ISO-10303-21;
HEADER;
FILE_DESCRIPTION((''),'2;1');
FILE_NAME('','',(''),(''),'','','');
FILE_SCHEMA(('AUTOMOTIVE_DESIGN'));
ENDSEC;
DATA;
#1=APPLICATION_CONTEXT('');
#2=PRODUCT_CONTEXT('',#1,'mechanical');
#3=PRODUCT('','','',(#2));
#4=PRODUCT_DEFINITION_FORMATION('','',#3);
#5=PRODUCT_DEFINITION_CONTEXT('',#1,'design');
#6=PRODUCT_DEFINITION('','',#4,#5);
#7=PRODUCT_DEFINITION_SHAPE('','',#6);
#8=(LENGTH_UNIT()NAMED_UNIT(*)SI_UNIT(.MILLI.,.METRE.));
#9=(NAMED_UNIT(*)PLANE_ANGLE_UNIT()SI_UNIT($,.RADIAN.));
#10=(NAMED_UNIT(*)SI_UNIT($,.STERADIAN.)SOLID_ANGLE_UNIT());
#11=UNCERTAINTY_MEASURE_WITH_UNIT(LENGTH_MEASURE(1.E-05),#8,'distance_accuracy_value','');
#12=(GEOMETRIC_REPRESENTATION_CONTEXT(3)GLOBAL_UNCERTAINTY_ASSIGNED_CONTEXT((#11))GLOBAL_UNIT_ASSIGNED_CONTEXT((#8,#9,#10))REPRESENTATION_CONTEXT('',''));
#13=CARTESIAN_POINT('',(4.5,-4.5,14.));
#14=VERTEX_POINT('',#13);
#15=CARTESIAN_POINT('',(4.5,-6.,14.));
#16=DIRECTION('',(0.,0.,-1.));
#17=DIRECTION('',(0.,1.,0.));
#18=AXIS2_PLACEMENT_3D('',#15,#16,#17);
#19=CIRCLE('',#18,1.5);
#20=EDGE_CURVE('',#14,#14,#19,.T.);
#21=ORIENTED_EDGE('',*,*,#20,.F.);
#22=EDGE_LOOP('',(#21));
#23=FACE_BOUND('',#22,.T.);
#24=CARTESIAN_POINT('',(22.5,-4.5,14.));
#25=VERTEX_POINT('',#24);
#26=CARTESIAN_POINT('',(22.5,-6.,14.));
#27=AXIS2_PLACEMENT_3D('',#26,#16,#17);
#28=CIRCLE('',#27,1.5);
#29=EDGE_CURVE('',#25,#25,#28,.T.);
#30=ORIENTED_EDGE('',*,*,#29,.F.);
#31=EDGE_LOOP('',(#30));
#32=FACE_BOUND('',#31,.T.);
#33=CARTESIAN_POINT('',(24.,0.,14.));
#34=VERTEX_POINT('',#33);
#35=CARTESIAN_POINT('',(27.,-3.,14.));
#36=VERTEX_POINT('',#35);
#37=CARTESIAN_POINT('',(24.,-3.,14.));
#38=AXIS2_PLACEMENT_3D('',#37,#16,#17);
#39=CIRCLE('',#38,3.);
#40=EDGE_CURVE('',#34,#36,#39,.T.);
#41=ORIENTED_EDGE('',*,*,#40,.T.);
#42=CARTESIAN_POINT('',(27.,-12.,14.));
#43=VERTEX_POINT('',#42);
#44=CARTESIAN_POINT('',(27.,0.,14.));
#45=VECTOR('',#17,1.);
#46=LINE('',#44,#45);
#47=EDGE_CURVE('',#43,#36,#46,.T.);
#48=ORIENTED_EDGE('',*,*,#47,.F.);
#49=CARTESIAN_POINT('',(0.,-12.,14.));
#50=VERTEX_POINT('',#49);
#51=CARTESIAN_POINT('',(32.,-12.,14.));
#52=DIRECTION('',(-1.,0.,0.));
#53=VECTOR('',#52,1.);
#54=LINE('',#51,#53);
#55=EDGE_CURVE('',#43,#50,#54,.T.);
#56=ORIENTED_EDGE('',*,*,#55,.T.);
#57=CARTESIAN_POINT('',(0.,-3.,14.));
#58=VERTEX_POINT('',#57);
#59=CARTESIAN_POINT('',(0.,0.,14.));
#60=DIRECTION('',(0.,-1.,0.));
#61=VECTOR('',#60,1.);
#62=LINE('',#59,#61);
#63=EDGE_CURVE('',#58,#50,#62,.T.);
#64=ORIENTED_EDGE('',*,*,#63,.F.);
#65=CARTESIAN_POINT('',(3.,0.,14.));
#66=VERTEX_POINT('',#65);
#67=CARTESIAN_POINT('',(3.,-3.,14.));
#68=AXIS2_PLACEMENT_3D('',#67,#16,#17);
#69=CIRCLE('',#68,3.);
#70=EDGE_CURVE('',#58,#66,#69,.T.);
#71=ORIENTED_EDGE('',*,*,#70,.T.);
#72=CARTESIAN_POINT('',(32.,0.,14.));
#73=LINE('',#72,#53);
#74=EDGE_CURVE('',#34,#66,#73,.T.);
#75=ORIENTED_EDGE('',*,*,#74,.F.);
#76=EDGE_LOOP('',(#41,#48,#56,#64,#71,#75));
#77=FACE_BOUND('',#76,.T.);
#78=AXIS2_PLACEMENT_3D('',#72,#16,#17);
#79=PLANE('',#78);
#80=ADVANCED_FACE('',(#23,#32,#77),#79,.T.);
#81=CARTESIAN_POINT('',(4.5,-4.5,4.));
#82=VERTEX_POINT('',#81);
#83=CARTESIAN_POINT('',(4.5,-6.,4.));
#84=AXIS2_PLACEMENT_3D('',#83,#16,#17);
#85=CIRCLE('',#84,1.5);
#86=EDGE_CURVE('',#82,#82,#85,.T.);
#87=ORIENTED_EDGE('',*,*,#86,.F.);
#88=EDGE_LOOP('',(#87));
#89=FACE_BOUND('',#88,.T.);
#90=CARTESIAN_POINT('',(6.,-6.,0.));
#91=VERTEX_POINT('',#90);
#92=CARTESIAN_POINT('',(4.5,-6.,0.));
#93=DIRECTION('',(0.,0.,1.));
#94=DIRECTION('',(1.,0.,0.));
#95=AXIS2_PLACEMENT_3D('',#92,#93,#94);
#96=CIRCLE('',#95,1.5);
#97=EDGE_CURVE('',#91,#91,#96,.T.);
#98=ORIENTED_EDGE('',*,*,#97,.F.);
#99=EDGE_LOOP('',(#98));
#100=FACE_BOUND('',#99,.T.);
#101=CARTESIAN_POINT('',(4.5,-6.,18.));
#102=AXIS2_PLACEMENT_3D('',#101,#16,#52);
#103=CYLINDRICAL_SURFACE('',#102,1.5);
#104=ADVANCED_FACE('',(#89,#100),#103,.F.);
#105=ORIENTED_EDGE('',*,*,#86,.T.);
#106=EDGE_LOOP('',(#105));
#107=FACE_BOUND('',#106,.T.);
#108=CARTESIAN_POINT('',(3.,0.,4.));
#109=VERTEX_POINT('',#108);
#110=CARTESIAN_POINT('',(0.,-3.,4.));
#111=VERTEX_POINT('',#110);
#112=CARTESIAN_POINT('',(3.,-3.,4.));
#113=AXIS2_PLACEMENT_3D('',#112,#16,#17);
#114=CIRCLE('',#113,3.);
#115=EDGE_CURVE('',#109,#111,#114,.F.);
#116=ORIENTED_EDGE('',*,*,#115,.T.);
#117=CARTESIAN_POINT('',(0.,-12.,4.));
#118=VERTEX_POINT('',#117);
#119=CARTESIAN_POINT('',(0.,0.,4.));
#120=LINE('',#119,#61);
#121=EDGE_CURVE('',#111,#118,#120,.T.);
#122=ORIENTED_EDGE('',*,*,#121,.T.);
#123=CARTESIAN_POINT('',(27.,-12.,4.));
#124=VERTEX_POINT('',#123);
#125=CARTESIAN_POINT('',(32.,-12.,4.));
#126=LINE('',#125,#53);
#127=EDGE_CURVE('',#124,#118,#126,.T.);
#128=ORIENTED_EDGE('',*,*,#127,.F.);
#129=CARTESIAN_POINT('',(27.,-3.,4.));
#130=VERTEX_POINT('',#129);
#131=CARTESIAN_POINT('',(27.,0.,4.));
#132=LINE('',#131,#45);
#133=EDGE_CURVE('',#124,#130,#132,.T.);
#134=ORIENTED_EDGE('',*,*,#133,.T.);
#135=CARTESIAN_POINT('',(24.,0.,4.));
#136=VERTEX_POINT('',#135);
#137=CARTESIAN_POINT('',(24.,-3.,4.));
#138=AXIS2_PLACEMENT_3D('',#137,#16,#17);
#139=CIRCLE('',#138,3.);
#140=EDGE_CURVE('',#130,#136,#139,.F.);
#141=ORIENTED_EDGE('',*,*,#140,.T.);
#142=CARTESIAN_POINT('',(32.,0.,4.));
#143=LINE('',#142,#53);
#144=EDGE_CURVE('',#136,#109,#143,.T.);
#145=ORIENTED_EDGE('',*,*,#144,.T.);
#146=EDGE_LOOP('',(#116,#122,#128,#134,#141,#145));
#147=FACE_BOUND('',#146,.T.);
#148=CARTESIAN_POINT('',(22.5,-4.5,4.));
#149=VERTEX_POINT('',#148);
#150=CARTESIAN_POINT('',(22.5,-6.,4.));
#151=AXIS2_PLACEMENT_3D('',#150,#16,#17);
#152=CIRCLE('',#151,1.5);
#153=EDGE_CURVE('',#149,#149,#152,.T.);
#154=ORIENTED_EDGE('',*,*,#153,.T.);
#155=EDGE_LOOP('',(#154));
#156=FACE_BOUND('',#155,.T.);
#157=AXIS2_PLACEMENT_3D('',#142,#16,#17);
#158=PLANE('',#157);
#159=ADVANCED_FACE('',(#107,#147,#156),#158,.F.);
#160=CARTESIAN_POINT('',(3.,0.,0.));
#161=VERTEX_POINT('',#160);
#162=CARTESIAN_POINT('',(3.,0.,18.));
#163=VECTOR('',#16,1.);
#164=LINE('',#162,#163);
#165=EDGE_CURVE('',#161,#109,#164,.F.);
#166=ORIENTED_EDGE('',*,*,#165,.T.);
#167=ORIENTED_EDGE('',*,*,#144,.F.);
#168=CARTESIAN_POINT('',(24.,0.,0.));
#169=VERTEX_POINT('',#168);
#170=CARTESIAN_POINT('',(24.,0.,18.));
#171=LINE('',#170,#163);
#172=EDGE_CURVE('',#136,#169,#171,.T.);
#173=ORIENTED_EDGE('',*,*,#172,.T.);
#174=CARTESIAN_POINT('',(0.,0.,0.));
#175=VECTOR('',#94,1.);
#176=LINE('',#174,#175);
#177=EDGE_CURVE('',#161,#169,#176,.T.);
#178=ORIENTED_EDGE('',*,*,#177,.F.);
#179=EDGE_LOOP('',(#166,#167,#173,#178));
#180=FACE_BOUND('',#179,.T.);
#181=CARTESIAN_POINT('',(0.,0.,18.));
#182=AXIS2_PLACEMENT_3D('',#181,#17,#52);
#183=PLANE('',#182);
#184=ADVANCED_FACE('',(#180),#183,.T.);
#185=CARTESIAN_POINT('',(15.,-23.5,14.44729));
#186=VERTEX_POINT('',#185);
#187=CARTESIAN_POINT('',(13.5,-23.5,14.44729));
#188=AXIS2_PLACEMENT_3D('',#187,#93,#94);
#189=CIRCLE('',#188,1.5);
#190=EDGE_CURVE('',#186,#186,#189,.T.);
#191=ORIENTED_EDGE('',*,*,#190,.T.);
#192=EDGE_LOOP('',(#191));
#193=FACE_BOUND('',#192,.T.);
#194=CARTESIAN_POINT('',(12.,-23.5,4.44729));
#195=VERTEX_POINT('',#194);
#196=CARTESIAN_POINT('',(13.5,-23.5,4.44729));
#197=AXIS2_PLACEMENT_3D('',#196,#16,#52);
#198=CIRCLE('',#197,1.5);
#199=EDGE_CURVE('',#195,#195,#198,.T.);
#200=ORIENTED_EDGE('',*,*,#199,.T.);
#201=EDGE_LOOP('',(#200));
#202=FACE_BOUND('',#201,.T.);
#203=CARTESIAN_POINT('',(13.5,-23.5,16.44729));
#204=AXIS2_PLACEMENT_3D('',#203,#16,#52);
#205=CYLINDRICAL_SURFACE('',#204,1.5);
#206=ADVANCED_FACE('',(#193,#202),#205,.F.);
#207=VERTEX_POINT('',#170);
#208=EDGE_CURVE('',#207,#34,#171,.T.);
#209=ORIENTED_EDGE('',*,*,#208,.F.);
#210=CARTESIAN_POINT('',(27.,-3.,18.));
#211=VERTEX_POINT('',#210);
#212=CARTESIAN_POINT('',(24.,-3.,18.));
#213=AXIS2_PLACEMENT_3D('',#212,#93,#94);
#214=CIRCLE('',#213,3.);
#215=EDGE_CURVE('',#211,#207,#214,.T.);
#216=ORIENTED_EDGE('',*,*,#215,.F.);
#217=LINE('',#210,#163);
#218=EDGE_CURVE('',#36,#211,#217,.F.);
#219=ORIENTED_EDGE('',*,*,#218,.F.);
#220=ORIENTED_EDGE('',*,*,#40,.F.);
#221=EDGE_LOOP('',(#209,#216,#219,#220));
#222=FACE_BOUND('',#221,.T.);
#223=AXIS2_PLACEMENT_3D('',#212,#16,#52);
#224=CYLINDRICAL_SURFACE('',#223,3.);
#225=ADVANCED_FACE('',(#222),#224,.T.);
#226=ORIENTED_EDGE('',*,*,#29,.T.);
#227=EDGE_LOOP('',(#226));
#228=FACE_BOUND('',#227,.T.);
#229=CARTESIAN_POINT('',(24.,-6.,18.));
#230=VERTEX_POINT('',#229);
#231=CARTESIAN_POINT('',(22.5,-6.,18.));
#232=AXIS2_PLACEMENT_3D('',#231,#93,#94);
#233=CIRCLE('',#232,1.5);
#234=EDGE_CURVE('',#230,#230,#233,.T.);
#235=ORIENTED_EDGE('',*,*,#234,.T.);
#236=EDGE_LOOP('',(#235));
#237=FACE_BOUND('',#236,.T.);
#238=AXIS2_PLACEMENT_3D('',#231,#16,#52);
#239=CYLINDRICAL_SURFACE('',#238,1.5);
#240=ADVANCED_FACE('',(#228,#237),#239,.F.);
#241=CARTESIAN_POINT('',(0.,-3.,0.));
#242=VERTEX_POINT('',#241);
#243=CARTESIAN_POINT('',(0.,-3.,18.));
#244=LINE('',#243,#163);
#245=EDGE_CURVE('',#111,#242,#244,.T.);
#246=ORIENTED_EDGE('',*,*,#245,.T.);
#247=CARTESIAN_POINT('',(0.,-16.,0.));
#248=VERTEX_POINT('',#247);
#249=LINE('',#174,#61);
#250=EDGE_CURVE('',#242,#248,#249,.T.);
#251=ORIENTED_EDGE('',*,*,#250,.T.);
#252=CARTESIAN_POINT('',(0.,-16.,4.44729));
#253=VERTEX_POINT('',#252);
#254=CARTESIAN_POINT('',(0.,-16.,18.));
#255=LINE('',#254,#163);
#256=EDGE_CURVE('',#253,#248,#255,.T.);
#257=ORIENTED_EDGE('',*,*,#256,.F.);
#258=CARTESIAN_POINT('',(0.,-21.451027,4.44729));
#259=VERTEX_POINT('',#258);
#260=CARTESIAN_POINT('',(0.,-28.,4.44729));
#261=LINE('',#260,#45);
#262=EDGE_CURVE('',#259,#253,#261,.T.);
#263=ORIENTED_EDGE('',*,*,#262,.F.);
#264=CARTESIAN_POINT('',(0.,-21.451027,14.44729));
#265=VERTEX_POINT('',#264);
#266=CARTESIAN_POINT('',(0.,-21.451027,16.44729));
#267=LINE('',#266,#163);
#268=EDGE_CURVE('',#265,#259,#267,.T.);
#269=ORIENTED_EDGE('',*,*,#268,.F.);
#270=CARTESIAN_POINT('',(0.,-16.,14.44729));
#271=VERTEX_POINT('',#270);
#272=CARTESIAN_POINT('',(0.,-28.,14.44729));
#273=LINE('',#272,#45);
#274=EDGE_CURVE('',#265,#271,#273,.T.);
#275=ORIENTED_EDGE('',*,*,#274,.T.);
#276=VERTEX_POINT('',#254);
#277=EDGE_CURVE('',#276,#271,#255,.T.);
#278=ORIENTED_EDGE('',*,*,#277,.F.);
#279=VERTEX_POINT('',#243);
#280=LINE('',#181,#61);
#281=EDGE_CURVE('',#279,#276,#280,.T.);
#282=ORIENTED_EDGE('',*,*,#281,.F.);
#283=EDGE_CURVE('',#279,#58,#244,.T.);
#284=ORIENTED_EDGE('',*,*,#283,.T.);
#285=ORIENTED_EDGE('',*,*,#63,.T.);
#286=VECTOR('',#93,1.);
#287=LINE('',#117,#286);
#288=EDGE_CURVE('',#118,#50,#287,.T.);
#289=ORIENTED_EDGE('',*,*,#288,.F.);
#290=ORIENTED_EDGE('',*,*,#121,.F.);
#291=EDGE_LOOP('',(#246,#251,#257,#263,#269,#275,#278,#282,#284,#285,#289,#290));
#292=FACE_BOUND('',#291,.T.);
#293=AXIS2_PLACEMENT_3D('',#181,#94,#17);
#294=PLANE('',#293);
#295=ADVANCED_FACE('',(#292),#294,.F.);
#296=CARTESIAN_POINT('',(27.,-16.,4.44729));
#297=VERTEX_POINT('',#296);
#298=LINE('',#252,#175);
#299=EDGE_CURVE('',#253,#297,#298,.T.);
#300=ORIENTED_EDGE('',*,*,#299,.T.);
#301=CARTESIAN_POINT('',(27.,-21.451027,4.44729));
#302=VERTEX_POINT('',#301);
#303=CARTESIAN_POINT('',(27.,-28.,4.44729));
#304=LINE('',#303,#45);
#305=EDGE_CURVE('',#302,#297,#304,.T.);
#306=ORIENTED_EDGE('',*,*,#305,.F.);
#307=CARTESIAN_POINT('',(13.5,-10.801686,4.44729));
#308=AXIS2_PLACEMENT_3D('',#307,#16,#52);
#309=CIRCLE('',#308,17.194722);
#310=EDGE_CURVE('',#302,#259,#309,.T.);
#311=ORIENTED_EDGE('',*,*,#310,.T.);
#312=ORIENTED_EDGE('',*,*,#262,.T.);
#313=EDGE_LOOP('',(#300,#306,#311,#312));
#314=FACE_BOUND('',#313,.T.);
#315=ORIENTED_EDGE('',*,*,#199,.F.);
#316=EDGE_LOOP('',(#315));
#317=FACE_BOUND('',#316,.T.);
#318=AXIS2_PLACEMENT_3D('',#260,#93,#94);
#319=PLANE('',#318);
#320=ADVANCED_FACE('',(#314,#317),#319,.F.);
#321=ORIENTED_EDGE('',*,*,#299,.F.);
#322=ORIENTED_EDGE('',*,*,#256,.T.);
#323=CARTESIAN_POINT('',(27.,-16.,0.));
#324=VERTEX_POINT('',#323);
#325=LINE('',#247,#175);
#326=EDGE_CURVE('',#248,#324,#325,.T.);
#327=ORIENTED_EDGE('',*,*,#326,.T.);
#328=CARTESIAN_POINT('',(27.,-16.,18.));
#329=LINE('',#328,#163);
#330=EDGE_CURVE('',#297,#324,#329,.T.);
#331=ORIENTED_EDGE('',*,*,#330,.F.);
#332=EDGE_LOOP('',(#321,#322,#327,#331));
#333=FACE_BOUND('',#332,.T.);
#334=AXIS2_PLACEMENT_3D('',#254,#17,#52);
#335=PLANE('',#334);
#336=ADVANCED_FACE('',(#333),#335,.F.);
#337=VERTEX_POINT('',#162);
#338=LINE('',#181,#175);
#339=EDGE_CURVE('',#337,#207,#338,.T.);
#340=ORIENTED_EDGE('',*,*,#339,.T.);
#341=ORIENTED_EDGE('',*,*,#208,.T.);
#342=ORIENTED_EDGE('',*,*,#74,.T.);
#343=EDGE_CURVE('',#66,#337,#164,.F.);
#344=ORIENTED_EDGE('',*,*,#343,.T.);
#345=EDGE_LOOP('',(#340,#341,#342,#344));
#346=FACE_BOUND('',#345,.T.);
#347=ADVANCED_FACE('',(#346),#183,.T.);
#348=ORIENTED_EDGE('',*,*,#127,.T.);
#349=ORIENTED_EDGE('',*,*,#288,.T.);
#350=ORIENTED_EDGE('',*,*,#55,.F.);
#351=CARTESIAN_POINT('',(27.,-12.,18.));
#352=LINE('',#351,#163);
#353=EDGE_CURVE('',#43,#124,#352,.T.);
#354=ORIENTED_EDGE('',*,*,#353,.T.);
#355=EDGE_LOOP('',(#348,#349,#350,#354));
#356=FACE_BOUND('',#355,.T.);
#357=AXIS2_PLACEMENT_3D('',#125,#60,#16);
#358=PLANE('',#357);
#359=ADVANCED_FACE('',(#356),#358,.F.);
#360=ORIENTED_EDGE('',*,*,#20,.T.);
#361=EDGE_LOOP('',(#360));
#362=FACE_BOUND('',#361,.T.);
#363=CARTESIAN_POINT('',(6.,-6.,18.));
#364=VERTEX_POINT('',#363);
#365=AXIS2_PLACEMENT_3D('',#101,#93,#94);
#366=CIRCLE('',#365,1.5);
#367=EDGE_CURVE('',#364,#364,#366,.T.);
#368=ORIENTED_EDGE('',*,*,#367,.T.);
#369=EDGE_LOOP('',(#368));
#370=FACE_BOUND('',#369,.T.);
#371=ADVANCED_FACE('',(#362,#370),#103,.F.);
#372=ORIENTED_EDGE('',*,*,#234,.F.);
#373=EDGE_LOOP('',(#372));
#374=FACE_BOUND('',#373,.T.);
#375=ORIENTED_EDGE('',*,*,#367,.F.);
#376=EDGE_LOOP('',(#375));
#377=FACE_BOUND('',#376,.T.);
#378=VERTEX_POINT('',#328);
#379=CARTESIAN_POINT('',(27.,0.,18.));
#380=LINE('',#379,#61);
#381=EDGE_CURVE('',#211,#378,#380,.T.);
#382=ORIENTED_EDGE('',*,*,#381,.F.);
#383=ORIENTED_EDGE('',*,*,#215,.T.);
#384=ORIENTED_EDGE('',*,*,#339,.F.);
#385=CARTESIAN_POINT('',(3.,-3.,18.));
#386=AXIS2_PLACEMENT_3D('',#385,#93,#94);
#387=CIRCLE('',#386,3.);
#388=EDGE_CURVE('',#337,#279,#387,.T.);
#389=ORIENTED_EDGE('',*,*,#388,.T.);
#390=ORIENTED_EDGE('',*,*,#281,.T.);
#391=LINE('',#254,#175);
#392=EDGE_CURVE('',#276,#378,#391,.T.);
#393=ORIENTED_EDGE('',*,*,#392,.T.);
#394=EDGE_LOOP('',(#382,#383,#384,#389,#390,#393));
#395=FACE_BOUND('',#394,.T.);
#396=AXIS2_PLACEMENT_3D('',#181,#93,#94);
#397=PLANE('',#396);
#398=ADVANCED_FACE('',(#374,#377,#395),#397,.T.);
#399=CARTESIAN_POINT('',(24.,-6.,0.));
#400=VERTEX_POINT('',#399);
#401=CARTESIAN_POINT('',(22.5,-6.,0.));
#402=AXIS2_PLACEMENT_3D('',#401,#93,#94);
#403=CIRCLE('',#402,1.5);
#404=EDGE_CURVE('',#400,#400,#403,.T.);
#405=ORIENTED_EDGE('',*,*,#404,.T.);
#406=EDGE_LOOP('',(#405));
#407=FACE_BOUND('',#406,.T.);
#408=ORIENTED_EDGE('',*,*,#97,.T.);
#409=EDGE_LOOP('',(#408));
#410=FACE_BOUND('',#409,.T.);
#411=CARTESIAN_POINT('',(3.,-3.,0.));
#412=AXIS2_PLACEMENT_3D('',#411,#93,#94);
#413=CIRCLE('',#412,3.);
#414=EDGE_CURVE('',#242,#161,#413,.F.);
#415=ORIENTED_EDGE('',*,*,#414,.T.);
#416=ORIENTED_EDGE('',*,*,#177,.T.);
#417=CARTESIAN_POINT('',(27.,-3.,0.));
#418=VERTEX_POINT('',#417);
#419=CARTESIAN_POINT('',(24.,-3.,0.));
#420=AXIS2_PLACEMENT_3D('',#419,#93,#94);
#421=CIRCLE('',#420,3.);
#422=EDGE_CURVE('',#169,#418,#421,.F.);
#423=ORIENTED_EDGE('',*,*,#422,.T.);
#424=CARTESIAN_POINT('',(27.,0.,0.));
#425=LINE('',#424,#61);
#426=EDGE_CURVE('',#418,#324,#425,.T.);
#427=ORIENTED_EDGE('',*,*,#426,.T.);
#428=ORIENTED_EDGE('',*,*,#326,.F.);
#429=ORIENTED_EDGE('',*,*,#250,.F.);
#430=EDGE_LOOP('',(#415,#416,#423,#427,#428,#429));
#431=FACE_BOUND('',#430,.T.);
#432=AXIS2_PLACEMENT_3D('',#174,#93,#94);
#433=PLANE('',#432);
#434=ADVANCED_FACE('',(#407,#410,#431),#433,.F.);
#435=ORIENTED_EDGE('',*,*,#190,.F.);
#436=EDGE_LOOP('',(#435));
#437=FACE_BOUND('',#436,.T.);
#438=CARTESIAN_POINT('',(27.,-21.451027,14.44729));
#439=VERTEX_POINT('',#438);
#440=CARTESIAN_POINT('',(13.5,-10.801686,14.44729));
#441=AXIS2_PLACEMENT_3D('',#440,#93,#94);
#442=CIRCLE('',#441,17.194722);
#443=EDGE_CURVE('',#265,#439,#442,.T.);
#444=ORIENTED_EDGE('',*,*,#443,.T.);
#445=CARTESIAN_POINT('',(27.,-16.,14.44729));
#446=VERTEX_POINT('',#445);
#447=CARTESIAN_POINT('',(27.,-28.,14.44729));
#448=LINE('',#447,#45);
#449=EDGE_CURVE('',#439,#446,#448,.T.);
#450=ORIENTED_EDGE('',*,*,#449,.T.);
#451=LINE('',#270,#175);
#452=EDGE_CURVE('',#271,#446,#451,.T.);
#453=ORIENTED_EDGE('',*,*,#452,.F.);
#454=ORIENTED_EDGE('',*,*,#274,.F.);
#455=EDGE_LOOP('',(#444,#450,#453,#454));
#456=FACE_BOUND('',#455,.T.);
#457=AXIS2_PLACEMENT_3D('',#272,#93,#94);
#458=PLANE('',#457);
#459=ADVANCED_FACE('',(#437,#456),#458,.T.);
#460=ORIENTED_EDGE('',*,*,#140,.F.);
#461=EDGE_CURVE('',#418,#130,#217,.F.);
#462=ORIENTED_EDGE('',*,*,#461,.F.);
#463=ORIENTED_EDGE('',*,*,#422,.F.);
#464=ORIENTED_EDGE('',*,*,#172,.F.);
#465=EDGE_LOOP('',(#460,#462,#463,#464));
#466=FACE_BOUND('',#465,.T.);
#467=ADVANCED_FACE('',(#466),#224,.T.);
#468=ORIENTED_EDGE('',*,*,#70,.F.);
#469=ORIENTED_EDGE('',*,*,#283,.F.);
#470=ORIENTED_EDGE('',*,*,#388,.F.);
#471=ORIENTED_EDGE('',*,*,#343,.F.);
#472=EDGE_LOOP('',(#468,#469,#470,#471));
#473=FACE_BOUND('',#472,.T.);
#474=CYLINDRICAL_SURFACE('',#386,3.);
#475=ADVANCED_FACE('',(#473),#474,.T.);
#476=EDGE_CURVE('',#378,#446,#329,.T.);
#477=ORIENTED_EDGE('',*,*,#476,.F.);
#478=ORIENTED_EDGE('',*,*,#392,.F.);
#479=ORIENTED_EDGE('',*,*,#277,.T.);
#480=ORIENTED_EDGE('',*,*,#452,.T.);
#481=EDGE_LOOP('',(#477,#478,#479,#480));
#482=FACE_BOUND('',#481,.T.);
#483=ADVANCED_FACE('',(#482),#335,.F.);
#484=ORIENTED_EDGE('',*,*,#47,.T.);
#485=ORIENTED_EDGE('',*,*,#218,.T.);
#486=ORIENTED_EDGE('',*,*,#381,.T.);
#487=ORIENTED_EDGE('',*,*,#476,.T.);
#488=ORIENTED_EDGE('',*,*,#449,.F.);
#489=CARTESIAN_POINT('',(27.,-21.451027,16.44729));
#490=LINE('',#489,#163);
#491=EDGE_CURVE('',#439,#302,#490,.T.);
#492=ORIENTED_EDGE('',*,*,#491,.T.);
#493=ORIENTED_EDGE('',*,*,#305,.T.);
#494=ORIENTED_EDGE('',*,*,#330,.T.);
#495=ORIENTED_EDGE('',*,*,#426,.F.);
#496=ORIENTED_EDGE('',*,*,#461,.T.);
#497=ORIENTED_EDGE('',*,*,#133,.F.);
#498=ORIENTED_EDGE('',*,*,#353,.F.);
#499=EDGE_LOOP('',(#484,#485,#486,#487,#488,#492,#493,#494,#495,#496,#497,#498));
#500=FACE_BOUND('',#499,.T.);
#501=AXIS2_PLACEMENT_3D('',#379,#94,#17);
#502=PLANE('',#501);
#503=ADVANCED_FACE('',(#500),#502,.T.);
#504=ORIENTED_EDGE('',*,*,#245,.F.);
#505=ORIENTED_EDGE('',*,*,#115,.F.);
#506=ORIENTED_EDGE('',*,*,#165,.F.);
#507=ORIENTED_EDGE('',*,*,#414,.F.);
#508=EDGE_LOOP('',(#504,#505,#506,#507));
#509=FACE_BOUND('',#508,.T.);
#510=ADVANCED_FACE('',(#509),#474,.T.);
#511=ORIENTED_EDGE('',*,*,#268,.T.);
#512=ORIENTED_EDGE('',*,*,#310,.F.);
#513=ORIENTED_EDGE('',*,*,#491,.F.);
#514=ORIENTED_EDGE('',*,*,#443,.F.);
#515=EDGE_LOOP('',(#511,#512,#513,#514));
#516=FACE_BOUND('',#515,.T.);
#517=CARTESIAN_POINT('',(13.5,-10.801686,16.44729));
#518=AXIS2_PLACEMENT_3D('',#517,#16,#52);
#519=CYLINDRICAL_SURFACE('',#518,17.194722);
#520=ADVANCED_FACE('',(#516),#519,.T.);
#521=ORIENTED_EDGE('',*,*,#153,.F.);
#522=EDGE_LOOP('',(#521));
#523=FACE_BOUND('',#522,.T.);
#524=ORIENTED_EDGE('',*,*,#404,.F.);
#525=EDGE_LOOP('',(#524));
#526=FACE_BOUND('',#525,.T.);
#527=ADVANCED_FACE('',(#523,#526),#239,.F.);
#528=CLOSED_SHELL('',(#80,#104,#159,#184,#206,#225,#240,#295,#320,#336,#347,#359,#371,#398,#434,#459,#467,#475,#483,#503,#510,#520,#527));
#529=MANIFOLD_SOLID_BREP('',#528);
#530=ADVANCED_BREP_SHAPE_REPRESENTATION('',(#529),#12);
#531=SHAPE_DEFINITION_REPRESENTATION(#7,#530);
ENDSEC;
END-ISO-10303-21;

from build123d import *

# Parameters (mm, degrees)
SKETCH2_R           = 1.5
BOSS_EXTRUDE1_DEPTH = 18
SKETCH3_W           = 10
SKETCH3_H           = 12
CUT_EXTRUDE1_DEPTH  = 32
SKETCH4_W           = 27
SKETCH4_H           = 5
BOSS_EXTRUDE3_DEPTH = 12
SKETCH8_R           = 1.5
CUT_EXTRUDE3_DEPTH  = 12
FILLET1_R           = 3
FILLET2_R           = 3
FILLET3_R           = 3
FILLET4_R           = 3


with BuildPart() as part:
    # Sketch2 → Boss-Extrude1 (new body)
    with BuildSketch(Plane.XY):
        Polygon((0, 0), (27, 0), (27, -12), (27, -16), (0, -16), (0, -12), align=None)
        with Locations((4.5, -6)):
            Circle(SKETCH2_R, mode=Mode.SUBTRACT)
        with Locations((22.5, -6)):
            Circle(SKETCH2_R, mode=Mode.SUBTRACT)
    extrude(amount=BOSS_EXTRUDE1_DEPTH)

    # Sketch3 → Cut-Extrude1 (cut)
    with BuildSketch(Plane.ZY):
        with Locations((9, -6)):
            Rectangle(SKETCH3_W, SKETCH3_H)
    extrude(amount=-CUT_EXTRUDE1_DEPTH, mode=Mode.SUBTRACT)

    # Sketch4 → Boss-Extrude3 (add)
    with BuildSketch(Plane.XZ.offset(16)):
        with Locations((13.5, 11.947290181)):
            Rectangle(SKETCH4_W, SKETCH4_H)
        with Locations((13.5, 6.947290181)):
            Rectangle(SKETCH4_W, SKETCH4_H)
    extrude(amount=BOSS_EXTRUDE3_DEPTH)

    # Sketch8 → Cut-Extrude3 (cut)
    with BuildSketch(Plane(origin=(0, 0, 4.447290181), x_dir=(-1, 0, 0), z_dir=(0, 0, -1))):
        with Locations((-13.5, -23.5)):
            Circle(SKETCH8_R)
        with BuildLine():
            Line((-27, -21.451026779), (-27, -28))
            Line((-27, -28), (0, -28))
            Line((0, -28), (0, -21.451026779))
            ThreePointArc((0, -21.451026779), (-13.5, -27.996407915), (-27, -21.451026779))
        make_face()
    extrude(amount=-CUT_EXTRUDE3_DEPTH, mode=Mode.SUBTRACT)

    # Fillet1
    fillet1_edges = [part.edges().sort_by_distance(p)[0] for p in [
        (0, 0, 2),
    ]]
    fillet(fillet1_edges, radius=FILLET1_R)

    # Fillet2
    fillet2_edges = [part.edges().sort_by_distance(p)[0] for p in [
        (27, 0, 2),
    ]]
    fillet(fillet2_edges, radius=FILLET2_R)

    # Fillet3
    fillet3_edges = [part.edges().sort_by_distance(p)[0] for p in [
        (0, 0, 16),
    ]]
    fillet(fillet3_edges, radius=FILLET3_R)

    # Fillet4
    fillet4_edges = [part.edges().sort_by_distance(p)[0] for p in [
        (27, 0, 16),
    ]]
    fillet(fillet4_edges, radius=FILLET4_R)


solid = part.part
